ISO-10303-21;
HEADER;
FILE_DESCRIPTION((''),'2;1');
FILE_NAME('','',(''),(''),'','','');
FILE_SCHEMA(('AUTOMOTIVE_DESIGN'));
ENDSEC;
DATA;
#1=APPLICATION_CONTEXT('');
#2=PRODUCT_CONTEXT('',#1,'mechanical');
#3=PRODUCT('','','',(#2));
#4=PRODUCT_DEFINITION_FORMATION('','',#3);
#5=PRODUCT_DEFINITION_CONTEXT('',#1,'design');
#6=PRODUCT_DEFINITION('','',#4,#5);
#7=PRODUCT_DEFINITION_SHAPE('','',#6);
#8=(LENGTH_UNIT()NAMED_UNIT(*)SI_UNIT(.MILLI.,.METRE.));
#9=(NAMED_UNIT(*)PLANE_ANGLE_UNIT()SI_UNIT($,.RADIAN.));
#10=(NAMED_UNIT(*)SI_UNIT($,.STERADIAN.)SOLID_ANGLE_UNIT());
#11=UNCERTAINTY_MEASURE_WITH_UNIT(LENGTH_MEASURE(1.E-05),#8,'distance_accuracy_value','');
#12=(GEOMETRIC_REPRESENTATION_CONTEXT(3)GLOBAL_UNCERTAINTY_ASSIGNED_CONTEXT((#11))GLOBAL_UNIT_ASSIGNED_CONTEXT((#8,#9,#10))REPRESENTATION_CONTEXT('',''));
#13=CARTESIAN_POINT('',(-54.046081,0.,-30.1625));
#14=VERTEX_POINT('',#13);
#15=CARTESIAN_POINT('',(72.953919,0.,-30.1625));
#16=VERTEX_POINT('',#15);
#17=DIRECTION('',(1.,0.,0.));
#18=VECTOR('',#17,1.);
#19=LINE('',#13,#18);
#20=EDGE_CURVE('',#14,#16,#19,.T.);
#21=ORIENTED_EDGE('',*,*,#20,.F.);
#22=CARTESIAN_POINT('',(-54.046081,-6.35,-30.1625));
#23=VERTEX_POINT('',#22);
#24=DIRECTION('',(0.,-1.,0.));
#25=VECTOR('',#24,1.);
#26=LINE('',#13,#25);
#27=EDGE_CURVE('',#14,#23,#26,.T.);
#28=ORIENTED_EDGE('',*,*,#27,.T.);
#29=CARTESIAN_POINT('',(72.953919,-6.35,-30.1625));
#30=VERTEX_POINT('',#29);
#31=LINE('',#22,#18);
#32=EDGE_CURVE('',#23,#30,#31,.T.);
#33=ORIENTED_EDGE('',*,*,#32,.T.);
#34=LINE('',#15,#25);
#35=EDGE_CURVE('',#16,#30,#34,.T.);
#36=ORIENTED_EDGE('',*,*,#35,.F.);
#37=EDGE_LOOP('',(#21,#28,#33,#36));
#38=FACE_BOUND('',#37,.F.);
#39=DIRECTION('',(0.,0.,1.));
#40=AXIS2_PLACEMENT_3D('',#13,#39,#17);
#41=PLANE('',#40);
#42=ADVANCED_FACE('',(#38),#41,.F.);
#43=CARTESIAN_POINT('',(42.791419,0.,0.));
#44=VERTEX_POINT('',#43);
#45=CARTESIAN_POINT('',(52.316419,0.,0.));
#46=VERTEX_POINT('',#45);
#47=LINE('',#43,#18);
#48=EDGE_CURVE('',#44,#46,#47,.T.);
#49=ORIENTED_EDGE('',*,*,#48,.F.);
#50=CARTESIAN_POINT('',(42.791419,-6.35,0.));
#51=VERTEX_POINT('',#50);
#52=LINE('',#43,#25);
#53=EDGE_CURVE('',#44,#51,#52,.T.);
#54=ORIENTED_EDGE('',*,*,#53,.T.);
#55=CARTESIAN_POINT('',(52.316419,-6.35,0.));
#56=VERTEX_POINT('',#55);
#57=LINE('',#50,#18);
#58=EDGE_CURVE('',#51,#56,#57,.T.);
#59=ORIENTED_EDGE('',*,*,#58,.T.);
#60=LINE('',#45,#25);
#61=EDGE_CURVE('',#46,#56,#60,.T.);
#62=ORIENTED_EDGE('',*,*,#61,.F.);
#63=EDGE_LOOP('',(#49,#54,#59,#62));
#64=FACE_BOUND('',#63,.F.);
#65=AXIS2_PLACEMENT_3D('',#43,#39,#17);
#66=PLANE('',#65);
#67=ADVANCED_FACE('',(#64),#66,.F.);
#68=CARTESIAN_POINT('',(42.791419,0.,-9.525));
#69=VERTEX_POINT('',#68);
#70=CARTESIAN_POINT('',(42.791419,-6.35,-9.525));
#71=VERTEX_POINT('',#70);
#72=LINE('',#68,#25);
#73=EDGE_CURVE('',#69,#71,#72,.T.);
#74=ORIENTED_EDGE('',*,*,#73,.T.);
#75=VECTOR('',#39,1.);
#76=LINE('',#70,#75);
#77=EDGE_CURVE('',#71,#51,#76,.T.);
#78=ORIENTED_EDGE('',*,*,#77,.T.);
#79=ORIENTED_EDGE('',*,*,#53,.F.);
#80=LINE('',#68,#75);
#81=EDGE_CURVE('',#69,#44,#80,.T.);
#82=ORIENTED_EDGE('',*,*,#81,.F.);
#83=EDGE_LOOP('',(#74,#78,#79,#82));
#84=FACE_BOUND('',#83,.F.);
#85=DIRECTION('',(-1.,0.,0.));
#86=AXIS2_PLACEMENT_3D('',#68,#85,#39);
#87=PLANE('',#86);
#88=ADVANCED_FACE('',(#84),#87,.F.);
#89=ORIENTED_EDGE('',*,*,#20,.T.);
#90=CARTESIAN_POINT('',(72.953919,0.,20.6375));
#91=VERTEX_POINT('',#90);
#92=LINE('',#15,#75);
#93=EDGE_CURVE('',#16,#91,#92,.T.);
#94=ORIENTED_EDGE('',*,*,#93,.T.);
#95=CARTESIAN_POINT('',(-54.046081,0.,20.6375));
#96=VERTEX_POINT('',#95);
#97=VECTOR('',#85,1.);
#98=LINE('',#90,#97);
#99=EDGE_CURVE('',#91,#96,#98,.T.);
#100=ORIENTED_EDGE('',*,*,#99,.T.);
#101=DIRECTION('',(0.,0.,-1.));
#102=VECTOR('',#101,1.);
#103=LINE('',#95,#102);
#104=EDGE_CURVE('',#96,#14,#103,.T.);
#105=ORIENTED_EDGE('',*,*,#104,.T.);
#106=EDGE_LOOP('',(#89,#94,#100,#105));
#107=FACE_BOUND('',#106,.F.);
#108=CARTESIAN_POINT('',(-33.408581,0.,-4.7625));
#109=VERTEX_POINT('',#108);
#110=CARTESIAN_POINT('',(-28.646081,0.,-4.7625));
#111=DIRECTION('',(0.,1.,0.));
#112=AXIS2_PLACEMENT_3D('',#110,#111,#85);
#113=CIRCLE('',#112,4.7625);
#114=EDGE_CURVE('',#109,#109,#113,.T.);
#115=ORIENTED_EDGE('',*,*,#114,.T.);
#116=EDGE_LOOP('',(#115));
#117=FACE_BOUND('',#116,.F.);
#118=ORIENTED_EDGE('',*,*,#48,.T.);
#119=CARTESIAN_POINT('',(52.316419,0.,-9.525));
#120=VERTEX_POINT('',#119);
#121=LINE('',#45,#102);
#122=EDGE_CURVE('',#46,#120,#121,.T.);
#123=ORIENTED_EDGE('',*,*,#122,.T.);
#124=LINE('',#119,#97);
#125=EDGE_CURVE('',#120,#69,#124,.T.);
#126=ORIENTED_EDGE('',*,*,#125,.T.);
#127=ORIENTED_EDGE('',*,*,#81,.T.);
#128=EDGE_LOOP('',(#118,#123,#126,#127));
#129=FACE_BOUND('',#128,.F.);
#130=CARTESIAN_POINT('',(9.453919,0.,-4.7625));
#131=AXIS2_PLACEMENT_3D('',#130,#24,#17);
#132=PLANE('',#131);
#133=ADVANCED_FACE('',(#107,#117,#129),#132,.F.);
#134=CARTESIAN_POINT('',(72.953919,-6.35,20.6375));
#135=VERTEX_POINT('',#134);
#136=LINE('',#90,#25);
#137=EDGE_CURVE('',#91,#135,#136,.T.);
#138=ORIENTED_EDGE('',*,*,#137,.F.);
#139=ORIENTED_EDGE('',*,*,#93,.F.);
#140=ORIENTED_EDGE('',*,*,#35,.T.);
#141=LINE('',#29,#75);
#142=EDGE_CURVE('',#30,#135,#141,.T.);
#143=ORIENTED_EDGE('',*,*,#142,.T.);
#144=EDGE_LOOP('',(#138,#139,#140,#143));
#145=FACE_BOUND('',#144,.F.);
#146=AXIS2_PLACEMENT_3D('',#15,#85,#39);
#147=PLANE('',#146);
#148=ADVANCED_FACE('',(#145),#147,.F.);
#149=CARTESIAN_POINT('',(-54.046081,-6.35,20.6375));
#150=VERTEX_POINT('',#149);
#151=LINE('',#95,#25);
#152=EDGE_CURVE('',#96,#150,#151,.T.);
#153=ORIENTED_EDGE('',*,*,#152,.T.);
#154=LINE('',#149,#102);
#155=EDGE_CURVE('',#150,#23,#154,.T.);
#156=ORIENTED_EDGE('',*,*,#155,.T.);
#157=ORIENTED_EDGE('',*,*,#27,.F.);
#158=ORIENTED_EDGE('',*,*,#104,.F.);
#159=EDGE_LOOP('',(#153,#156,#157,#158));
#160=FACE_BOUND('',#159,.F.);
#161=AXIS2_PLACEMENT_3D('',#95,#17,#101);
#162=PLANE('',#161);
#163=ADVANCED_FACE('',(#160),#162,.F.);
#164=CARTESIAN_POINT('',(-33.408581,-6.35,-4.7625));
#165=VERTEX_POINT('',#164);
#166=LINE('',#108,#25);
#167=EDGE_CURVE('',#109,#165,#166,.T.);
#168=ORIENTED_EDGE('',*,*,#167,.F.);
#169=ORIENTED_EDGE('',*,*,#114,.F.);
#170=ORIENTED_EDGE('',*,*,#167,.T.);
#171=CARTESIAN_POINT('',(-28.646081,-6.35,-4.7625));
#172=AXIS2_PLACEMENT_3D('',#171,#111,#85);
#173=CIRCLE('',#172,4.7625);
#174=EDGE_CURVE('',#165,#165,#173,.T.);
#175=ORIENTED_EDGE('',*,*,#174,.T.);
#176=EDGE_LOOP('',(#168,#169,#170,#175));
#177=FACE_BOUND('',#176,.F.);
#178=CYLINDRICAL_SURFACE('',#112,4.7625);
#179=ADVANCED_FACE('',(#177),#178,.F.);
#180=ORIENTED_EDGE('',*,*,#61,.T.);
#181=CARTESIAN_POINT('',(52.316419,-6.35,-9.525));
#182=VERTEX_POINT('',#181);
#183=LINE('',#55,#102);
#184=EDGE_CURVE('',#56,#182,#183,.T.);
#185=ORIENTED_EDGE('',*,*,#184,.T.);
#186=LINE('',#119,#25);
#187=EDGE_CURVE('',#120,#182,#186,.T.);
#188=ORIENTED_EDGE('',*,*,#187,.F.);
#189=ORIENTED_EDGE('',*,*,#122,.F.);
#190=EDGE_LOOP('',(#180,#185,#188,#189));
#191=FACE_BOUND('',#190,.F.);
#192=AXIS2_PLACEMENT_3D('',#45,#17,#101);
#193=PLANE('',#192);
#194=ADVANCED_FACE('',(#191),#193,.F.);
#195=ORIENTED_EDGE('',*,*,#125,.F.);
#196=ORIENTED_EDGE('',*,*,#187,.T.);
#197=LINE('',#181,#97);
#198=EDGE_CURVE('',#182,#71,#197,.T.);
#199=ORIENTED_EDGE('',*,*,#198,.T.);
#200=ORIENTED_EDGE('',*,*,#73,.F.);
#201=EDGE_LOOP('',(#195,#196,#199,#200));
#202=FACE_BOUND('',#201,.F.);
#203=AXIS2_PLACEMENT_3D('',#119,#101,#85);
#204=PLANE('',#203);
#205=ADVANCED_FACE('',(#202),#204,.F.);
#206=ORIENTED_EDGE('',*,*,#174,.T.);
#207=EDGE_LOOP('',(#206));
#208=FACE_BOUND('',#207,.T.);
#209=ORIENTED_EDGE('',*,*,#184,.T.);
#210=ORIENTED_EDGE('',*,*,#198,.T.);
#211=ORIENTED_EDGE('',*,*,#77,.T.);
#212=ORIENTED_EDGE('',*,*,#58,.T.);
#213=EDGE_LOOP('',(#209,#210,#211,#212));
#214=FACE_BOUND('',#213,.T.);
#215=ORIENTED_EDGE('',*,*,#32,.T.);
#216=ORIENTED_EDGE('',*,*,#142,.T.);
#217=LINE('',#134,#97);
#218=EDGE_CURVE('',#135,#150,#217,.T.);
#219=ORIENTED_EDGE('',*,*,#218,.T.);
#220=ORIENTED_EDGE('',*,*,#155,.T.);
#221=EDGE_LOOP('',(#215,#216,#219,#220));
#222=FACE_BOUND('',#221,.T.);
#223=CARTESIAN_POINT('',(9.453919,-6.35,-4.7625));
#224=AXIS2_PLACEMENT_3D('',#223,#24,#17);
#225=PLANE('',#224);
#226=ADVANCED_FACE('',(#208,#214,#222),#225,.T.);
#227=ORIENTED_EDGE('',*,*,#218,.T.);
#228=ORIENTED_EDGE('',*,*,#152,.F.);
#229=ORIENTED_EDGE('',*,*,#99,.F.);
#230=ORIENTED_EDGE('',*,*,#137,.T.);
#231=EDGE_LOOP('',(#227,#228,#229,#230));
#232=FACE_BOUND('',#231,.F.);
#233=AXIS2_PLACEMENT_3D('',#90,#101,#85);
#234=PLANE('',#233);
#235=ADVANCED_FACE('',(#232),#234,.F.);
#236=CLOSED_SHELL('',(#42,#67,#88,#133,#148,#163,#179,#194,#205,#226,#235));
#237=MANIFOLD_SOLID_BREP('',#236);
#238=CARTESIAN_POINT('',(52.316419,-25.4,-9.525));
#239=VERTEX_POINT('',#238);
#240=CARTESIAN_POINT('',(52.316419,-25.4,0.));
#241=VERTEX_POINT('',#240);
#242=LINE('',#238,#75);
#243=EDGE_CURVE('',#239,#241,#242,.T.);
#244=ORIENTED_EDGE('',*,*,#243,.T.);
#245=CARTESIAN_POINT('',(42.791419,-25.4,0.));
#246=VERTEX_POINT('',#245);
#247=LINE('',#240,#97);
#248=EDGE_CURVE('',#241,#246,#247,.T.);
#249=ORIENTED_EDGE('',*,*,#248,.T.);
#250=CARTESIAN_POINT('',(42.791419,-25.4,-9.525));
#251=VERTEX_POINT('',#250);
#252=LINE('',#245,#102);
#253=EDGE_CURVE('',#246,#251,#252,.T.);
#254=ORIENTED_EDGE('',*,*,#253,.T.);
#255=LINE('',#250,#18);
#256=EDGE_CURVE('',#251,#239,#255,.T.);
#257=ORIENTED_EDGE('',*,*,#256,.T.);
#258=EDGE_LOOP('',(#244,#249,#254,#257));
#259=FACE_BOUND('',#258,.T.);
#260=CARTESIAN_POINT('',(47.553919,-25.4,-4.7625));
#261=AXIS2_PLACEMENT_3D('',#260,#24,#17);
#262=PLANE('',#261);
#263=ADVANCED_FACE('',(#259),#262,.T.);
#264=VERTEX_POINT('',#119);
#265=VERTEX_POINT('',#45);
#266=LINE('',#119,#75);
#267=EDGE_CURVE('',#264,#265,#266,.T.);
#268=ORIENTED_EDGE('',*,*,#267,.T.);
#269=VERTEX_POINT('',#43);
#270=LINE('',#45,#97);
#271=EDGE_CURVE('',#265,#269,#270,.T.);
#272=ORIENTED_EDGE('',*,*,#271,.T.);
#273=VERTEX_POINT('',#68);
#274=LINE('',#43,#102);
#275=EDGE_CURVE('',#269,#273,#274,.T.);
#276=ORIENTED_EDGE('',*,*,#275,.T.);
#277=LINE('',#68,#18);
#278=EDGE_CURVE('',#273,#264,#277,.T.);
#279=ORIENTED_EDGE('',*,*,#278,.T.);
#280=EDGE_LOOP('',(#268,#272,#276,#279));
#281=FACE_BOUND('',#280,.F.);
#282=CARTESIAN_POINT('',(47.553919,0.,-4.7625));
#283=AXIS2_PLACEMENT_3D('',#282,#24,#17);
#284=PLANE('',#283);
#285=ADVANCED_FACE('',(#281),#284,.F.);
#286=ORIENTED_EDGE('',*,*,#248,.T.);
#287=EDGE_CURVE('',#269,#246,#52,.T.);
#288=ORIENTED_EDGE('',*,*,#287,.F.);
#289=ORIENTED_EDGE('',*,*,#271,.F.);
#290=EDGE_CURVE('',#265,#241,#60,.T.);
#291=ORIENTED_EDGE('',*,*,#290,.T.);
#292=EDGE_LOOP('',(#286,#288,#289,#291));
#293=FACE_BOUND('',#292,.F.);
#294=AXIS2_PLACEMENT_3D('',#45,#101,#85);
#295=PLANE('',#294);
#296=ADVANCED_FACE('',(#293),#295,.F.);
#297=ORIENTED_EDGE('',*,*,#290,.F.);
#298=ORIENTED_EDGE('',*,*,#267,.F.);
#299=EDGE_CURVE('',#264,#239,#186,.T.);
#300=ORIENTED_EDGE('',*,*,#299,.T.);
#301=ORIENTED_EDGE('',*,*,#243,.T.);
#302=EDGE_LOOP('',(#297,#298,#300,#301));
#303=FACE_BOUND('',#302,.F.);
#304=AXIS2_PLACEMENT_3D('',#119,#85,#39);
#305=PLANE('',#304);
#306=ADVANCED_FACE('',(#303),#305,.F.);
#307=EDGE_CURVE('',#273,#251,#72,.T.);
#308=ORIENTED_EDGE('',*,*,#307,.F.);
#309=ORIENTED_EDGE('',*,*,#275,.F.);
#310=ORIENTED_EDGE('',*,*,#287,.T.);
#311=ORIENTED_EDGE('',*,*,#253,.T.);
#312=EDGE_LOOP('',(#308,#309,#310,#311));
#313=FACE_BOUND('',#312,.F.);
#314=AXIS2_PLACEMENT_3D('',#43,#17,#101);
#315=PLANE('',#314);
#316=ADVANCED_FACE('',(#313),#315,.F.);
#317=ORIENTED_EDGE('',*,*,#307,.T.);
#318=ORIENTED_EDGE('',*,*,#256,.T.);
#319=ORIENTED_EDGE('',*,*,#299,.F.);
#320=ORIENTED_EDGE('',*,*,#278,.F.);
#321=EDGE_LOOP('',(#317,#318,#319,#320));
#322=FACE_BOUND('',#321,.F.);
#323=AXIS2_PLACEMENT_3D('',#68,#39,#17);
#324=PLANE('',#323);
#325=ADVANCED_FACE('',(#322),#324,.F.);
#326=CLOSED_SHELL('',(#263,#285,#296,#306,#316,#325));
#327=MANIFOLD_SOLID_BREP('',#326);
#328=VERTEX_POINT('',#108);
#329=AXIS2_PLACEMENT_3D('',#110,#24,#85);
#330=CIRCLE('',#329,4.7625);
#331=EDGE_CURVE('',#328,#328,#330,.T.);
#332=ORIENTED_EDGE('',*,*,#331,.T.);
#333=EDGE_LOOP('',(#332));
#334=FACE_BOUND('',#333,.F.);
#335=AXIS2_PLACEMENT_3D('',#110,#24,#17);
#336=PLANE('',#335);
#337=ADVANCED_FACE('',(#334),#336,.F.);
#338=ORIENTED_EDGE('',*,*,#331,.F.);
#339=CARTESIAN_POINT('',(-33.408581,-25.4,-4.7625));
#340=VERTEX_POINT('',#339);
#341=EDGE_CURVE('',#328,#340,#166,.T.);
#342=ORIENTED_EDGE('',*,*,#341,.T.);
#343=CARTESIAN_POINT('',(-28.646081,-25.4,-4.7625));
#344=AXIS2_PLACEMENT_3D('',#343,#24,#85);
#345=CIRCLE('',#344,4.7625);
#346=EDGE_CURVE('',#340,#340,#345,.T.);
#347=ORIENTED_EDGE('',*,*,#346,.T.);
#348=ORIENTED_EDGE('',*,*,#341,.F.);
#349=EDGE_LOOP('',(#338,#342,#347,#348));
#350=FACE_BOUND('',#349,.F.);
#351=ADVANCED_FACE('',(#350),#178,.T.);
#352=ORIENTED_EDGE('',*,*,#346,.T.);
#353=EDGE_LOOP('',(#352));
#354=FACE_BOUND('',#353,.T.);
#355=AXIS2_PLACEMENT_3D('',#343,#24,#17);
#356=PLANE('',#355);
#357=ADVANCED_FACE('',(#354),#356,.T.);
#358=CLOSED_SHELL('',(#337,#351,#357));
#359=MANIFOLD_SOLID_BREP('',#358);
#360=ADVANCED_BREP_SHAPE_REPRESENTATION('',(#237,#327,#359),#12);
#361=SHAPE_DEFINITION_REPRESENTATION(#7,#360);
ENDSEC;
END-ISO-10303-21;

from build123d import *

# Parameters (mm, degrees)
F1_DEPTH = 25.4
F2_DEPTH = 6.35


with BuildPart() as f1:
    # F0 (on Front) → F1 (new body)
    with BuildSketch(Plane.XZ):
        with BuildLine():
            ThreePointArc((-23.883581, -4.7625), (-28.646081, 0), (-33.408581, -4.7625))
            ThreePointArc((-33.408581, -4.7625), (-28.646081, -9.525), (-23.883581, -4.7625))
        make_face()
        Polygon((52.316419, -9.525), (52.316419, -4.7625), (52.316419, 0), (42.791419, 0), (42.791419, -9.525), align=None)
    extrude(amount=F1_DEPTH)


with BuildPart() as f2:
    # F0 (on Front) → F2 (new body)
    with BuildSketch(Plane.XZ):
        Polygon((72.953919, 20.6375), (-54.046081, 20.6375), (-54.046081, -4.7625), (-54.046081, -30.1625), (72.953919, -30.1625), (72.953919, -4.7625), align=None)
        with BuildLine():
            ThreePointArc((-23.883581, -4.7625), (-28.646081, -9.525), (-33.408581, -4.7625))
            ThreePointArc((-33.408581, -4.7625), (-28.646081, 0), (-23.883581, -4.7625))
        make_face(mode=Mode.SUBTRACT)
        Polygon((52.316419, 0), (52.316419, -4.7625), (52.316419, -9.525), (42.791419, -9.525), (42.791419, 0), align=None, mode=Mode.SUBTRACT)
    extrude(amount=F2_DEPTH)


solid = Compound([f1.part, f2.part])
